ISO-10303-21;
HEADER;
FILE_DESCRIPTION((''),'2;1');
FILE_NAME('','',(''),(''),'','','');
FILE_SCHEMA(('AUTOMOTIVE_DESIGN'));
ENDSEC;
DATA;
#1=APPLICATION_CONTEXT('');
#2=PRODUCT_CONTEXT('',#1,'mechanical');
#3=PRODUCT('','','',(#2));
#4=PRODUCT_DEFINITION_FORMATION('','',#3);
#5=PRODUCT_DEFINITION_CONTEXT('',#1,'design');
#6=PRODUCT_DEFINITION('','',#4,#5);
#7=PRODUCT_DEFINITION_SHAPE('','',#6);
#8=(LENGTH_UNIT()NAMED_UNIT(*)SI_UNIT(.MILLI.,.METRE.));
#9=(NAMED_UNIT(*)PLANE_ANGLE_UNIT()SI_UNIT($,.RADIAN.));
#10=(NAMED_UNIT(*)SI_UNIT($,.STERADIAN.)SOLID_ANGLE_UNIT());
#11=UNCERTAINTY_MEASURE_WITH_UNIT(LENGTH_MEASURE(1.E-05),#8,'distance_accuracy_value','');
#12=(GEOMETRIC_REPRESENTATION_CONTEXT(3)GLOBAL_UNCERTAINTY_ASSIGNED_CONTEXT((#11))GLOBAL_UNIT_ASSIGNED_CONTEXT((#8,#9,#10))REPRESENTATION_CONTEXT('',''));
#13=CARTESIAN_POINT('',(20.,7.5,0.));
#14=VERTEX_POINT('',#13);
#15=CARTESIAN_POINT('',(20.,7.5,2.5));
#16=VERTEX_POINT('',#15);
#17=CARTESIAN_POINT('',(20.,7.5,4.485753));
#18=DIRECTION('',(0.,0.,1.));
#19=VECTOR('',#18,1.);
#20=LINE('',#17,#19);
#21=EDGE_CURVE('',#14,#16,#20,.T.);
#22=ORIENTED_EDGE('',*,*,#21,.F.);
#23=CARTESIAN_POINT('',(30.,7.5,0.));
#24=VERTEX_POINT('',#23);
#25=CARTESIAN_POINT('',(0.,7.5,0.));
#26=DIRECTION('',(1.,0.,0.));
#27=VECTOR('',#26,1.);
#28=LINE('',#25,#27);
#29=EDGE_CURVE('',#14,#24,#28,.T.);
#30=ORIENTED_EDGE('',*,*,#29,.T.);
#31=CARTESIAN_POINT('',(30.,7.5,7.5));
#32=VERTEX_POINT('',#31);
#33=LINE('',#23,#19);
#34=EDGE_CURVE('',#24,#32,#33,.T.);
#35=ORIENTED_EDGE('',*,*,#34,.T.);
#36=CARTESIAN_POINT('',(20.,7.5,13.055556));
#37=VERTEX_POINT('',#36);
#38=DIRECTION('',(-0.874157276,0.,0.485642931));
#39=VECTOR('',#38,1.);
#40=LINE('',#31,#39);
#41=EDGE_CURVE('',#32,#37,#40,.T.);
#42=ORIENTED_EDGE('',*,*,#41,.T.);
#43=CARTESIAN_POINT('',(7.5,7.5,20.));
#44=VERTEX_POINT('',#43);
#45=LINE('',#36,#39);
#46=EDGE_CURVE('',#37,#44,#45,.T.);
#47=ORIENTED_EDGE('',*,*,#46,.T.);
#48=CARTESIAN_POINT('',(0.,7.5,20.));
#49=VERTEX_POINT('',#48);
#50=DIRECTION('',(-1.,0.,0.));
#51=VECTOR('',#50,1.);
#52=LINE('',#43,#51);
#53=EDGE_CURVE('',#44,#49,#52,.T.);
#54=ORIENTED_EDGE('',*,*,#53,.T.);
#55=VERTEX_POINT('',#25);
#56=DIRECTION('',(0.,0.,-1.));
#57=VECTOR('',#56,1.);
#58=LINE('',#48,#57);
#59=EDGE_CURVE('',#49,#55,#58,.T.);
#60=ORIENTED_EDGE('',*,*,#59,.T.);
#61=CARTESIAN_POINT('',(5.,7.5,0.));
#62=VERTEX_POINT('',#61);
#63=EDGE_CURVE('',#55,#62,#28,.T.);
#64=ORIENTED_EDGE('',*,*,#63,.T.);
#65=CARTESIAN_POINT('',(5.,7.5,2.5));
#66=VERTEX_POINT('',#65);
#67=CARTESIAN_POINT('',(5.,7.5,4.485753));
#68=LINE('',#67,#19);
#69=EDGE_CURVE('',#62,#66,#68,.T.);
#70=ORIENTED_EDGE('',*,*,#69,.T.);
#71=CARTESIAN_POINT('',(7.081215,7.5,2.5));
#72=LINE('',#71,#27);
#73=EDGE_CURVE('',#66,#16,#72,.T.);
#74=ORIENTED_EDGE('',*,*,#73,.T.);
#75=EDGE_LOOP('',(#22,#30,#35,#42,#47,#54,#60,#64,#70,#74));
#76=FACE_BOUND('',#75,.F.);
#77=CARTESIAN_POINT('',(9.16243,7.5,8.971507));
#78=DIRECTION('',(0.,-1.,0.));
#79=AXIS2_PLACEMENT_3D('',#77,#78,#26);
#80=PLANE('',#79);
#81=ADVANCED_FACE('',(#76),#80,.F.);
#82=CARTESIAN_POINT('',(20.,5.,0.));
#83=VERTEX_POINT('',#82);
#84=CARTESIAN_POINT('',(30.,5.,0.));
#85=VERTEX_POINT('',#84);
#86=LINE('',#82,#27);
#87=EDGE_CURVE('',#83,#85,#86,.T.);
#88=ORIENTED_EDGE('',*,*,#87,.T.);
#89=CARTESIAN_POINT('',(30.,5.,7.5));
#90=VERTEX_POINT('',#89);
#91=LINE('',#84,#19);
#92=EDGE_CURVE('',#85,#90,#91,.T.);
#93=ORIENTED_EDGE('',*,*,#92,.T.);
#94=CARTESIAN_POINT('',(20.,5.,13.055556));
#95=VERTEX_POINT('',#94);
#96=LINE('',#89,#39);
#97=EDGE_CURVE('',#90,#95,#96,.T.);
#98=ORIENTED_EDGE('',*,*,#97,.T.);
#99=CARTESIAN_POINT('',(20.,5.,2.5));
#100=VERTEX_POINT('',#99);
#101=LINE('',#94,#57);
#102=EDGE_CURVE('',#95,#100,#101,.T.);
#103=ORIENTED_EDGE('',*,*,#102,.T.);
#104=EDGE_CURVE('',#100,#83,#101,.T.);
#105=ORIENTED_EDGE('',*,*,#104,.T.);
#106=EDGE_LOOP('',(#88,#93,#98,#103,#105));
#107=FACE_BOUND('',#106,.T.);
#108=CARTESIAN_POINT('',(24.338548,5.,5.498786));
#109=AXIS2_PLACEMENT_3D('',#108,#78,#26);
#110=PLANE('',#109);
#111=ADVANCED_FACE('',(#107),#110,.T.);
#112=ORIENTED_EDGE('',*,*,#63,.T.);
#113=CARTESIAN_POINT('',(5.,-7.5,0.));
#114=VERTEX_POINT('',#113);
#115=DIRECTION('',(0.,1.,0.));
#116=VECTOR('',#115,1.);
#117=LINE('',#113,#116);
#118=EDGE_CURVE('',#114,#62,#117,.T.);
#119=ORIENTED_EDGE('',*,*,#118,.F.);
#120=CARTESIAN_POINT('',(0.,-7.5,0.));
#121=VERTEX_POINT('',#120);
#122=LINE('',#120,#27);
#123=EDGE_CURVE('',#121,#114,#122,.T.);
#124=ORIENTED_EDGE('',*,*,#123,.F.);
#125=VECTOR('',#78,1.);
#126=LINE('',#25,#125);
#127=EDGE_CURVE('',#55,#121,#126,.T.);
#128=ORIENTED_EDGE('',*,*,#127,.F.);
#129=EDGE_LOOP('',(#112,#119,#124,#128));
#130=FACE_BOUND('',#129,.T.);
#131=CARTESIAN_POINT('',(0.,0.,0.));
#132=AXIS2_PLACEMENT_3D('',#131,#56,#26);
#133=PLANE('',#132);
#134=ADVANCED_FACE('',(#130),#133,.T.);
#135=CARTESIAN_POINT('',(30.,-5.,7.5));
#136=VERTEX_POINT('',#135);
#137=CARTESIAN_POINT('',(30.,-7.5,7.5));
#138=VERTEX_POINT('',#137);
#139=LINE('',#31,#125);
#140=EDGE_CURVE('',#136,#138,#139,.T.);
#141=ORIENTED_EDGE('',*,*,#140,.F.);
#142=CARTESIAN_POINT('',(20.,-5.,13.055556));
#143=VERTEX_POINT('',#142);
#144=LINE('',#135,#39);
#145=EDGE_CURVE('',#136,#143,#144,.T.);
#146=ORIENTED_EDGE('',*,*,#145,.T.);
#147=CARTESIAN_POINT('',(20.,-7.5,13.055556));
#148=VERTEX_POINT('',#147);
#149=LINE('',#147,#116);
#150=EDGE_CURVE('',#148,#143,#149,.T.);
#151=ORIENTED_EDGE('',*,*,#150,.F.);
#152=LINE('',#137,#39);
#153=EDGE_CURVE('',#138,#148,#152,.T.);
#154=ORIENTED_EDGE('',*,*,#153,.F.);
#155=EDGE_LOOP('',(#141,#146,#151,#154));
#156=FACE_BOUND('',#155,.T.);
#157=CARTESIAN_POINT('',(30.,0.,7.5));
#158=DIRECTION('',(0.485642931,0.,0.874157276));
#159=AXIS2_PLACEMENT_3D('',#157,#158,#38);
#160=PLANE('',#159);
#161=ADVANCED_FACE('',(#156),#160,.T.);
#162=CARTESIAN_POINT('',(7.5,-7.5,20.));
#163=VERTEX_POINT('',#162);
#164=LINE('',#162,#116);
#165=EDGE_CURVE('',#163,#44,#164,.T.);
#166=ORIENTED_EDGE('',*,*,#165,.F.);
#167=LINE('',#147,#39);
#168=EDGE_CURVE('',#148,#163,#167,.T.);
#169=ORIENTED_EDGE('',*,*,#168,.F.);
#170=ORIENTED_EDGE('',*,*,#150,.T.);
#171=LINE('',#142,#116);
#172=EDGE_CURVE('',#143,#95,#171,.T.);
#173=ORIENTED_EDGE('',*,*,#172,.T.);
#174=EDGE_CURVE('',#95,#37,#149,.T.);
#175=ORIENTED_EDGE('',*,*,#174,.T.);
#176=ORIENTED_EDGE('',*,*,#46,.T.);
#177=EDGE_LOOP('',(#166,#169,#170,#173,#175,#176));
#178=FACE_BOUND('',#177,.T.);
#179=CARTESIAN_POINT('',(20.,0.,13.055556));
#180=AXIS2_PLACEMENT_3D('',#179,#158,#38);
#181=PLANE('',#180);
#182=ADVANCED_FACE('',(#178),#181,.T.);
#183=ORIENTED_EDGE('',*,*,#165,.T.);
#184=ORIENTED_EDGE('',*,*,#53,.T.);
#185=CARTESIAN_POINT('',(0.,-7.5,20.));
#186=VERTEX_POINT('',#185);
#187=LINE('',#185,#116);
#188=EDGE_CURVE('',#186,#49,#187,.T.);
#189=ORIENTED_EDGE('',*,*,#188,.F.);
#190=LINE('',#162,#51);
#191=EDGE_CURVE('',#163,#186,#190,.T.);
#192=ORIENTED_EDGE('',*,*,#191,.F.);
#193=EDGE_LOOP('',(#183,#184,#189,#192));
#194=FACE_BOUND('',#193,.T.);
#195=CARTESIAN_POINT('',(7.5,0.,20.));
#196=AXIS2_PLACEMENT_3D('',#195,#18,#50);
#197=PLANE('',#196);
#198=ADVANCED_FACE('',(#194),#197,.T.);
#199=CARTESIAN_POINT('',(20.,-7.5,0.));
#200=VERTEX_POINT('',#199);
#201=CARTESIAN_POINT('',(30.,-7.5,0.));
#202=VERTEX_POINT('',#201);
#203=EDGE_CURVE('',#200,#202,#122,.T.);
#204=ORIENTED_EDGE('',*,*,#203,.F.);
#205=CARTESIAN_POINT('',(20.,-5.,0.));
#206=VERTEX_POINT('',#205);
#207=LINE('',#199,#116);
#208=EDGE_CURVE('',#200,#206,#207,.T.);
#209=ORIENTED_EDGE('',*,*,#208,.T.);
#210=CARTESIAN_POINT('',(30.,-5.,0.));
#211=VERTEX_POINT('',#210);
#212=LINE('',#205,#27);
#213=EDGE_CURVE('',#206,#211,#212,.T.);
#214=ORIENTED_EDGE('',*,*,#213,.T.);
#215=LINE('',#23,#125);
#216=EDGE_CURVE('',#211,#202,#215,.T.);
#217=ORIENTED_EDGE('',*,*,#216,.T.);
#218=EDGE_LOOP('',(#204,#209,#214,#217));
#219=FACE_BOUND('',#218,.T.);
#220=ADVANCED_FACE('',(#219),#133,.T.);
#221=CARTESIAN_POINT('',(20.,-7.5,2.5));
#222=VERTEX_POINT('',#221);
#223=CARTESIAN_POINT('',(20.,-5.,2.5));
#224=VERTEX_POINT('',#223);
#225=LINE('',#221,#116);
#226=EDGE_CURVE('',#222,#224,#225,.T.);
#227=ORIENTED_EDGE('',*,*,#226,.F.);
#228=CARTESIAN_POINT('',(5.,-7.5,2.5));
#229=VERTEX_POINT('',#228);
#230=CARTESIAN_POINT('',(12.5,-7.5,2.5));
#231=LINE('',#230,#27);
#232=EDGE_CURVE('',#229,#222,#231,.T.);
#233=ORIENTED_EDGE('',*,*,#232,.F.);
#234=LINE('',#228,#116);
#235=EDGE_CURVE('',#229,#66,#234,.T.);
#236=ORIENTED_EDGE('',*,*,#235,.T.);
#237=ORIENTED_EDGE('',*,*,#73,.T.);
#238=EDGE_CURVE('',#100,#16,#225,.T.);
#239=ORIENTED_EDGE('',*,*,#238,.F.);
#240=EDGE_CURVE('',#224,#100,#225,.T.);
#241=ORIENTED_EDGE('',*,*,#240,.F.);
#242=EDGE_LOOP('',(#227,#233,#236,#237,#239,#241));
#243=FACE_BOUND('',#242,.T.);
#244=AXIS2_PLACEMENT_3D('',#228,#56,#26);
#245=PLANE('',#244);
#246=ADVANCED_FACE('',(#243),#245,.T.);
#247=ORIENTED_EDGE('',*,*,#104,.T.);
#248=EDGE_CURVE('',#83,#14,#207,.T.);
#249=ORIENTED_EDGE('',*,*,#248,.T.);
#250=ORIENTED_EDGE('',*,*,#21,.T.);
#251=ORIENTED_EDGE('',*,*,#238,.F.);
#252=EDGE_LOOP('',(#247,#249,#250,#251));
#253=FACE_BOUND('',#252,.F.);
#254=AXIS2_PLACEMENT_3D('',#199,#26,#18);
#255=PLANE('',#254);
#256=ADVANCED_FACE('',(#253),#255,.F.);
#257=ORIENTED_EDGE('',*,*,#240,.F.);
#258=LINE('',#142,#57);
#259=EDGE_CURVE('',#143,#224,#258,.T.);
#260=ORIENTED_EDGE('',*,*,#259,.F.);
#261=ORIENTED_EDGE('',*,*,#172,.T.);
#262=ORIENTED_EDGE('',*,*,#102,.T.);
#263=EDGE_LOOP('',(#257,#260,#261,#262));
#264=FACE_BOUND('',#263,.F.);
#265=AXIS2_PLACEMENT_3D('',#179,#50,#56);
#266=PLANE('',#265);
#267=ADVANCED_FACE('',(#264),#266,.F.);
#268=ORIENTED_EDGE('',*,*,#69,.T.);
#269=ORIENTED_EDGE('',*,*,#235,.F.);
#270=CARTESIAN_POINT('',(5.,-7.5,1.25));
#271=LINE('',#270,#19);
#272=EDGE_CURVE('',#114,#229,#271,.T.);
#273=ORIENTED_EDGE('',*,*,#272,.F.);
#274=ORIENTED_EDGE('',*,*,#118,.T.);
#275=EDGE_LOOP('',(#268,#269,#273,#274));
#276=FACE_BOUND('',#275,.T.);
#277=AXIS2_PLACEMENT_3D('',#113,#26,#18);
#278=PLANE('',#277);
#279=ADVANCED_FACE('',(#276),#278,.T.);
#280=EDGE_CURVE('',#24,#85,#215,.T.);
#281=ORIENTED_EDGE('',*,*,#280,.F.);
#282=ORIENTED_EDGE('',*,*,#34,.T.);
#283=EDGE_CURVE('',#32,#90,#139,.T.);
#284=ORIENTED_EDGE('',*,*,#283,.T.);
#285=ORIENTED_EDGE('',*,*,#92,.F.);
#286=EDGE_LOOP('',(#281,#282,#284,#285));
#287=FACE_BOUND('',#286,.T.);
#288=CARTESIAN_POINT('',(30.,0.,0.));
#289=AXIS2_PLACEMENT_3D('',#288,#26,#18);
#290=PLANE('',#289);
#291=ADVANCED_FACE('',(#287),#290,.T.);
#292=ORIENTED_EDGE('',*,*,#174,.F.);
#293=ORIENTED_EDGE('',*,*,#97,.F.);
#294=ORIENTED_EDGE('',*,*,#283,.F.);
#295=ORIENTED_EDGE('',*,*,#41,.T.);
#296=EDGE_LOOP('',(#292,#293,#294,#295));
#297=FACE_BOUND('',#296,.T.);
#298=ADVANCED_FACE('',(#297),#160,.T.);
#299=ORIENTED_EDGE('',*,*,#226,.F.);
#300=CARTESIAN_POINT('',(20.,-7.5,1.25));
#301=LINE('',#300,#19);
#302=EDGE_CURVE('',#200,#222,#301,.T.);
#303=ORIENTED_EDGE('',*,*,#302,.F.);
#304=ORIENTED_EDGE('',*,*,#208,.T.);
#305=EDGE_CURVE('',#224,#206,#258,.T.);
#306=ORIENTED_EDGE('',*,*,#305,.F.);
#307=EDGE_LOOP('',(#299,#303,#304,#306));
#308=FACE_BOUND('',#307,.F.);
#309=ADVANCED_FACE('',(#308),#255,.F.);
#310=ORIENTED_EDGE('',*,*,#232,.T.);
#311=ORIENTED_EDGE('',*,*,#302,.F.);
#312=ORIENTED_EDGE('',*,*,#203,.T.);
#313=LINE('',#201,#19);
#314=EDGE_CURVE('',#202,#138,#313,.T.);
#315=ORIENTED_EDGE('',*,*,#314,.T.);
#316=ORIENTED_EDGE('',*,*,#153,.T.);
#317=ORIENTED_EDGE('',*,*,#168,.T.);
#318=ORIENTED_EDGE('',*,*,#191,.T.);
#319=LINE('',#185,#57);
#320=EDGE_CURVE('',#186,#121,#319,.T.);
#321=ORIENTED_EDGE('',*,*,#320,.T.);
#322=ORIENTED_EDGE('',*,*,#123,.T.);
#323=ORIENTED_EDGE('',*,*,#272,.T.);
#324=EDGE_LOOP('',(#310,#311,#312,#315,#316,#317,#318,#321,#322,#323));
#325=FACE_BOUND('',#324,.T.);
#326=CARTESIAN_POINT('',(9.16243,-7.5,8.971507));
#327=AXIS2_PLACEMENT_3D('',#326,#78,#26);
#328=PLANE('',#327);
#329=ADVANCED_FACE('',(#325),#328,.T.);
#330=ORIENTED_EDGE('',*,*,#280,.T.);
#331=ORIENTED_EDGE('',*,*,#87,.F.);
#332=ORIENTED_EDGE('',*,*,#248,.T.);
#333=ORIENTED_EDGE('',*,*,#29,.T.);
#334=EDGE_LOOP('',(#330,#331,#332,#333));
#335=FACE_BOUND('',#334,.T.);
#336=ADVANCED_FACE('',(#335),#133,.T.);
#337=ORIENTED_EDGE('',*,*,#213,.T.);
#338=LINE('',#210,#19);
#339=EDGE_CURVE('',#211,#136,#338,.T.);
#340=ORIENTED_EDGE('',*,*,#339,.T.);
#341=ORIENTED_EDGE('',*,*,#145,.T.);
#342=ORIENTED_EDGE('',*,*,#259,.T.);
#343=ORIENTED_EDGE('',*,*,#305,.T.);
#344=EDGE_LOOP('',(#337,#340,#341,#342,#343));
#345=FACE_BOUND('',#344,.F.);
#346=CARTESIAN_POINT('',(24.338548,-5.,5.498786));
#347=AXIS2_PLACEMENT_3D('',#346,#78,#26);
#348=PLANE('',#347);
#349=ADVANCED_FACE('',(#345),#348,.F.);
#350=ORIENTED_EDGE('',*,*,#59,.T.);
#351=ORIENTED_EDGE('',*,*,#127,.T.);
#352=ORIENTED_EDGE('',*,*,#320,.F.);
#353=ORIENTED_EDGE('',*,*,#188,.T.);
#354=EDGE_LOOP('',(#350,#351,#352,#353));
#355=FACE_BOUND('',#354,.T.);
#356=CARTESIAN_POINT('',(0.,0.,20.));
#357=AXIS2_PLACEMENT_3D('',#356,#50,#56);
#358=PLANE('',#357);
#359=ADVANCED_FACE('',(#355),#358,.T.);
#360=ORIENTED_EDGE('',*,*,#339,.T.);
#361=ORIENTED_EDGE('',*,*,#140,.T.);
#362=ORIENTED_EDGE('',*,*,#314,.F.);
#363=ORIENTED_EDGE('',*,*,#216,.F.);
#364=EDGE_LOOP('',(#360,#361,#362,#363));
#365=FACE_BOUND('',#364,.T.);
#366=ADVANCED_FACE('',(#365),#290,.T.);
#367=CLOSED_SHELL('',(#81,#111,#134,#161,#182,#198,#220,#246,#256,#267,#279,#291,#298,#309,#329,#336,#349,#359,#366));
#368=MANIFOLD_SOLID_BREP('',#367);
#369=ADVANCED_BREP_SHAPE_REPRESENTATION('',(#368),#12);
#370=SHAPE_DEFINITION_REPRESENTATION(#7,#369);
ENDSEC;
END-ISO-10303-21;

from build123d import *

# Parameters (mm, degrees)
F1_DEPTH = 7.5
F2_W     = 15
F2_H     = 2.5
F3_DEPTH = 15.001
F4_DEPTH = 5


with BuildPart() as f1:
    # F0 (on Front) → F1 (new body, symmetric)
    with BuildSketch(Plane.XZ):
        Polygon((0, 20), (0, 0), (20, 0), (20, 13.0555555556), (7.5, 20), align=None)
        Polygon((20, 13.0555555556), (20, 0), (30, 0), (30, 7.5), align=None)
    extrude(amount=F1_DEPTH, both=True)

    # F2 (on face) → F3 (cut, through all)
    with BuildSketch(Plane.XZ.offset(7.5)):
        with Locations((12.5, 1.25)):
            Rectangle(F2_W, F2_H)
    extrude(amount=-F3_DEPTH, mode=Mode.SUBTRACT)

    # F0 (on Front) → F4 (cut, symmetric)
    with BuildSketch(Plane.XZ):
        Polygon((20, 13.0555555556), (20, 0), (30, 0), (30, 7.5), align=None)
    extrude(amount=F4_DEPTH, both=True, mode=Mode.SUBTRACT)


solid = f1.part
